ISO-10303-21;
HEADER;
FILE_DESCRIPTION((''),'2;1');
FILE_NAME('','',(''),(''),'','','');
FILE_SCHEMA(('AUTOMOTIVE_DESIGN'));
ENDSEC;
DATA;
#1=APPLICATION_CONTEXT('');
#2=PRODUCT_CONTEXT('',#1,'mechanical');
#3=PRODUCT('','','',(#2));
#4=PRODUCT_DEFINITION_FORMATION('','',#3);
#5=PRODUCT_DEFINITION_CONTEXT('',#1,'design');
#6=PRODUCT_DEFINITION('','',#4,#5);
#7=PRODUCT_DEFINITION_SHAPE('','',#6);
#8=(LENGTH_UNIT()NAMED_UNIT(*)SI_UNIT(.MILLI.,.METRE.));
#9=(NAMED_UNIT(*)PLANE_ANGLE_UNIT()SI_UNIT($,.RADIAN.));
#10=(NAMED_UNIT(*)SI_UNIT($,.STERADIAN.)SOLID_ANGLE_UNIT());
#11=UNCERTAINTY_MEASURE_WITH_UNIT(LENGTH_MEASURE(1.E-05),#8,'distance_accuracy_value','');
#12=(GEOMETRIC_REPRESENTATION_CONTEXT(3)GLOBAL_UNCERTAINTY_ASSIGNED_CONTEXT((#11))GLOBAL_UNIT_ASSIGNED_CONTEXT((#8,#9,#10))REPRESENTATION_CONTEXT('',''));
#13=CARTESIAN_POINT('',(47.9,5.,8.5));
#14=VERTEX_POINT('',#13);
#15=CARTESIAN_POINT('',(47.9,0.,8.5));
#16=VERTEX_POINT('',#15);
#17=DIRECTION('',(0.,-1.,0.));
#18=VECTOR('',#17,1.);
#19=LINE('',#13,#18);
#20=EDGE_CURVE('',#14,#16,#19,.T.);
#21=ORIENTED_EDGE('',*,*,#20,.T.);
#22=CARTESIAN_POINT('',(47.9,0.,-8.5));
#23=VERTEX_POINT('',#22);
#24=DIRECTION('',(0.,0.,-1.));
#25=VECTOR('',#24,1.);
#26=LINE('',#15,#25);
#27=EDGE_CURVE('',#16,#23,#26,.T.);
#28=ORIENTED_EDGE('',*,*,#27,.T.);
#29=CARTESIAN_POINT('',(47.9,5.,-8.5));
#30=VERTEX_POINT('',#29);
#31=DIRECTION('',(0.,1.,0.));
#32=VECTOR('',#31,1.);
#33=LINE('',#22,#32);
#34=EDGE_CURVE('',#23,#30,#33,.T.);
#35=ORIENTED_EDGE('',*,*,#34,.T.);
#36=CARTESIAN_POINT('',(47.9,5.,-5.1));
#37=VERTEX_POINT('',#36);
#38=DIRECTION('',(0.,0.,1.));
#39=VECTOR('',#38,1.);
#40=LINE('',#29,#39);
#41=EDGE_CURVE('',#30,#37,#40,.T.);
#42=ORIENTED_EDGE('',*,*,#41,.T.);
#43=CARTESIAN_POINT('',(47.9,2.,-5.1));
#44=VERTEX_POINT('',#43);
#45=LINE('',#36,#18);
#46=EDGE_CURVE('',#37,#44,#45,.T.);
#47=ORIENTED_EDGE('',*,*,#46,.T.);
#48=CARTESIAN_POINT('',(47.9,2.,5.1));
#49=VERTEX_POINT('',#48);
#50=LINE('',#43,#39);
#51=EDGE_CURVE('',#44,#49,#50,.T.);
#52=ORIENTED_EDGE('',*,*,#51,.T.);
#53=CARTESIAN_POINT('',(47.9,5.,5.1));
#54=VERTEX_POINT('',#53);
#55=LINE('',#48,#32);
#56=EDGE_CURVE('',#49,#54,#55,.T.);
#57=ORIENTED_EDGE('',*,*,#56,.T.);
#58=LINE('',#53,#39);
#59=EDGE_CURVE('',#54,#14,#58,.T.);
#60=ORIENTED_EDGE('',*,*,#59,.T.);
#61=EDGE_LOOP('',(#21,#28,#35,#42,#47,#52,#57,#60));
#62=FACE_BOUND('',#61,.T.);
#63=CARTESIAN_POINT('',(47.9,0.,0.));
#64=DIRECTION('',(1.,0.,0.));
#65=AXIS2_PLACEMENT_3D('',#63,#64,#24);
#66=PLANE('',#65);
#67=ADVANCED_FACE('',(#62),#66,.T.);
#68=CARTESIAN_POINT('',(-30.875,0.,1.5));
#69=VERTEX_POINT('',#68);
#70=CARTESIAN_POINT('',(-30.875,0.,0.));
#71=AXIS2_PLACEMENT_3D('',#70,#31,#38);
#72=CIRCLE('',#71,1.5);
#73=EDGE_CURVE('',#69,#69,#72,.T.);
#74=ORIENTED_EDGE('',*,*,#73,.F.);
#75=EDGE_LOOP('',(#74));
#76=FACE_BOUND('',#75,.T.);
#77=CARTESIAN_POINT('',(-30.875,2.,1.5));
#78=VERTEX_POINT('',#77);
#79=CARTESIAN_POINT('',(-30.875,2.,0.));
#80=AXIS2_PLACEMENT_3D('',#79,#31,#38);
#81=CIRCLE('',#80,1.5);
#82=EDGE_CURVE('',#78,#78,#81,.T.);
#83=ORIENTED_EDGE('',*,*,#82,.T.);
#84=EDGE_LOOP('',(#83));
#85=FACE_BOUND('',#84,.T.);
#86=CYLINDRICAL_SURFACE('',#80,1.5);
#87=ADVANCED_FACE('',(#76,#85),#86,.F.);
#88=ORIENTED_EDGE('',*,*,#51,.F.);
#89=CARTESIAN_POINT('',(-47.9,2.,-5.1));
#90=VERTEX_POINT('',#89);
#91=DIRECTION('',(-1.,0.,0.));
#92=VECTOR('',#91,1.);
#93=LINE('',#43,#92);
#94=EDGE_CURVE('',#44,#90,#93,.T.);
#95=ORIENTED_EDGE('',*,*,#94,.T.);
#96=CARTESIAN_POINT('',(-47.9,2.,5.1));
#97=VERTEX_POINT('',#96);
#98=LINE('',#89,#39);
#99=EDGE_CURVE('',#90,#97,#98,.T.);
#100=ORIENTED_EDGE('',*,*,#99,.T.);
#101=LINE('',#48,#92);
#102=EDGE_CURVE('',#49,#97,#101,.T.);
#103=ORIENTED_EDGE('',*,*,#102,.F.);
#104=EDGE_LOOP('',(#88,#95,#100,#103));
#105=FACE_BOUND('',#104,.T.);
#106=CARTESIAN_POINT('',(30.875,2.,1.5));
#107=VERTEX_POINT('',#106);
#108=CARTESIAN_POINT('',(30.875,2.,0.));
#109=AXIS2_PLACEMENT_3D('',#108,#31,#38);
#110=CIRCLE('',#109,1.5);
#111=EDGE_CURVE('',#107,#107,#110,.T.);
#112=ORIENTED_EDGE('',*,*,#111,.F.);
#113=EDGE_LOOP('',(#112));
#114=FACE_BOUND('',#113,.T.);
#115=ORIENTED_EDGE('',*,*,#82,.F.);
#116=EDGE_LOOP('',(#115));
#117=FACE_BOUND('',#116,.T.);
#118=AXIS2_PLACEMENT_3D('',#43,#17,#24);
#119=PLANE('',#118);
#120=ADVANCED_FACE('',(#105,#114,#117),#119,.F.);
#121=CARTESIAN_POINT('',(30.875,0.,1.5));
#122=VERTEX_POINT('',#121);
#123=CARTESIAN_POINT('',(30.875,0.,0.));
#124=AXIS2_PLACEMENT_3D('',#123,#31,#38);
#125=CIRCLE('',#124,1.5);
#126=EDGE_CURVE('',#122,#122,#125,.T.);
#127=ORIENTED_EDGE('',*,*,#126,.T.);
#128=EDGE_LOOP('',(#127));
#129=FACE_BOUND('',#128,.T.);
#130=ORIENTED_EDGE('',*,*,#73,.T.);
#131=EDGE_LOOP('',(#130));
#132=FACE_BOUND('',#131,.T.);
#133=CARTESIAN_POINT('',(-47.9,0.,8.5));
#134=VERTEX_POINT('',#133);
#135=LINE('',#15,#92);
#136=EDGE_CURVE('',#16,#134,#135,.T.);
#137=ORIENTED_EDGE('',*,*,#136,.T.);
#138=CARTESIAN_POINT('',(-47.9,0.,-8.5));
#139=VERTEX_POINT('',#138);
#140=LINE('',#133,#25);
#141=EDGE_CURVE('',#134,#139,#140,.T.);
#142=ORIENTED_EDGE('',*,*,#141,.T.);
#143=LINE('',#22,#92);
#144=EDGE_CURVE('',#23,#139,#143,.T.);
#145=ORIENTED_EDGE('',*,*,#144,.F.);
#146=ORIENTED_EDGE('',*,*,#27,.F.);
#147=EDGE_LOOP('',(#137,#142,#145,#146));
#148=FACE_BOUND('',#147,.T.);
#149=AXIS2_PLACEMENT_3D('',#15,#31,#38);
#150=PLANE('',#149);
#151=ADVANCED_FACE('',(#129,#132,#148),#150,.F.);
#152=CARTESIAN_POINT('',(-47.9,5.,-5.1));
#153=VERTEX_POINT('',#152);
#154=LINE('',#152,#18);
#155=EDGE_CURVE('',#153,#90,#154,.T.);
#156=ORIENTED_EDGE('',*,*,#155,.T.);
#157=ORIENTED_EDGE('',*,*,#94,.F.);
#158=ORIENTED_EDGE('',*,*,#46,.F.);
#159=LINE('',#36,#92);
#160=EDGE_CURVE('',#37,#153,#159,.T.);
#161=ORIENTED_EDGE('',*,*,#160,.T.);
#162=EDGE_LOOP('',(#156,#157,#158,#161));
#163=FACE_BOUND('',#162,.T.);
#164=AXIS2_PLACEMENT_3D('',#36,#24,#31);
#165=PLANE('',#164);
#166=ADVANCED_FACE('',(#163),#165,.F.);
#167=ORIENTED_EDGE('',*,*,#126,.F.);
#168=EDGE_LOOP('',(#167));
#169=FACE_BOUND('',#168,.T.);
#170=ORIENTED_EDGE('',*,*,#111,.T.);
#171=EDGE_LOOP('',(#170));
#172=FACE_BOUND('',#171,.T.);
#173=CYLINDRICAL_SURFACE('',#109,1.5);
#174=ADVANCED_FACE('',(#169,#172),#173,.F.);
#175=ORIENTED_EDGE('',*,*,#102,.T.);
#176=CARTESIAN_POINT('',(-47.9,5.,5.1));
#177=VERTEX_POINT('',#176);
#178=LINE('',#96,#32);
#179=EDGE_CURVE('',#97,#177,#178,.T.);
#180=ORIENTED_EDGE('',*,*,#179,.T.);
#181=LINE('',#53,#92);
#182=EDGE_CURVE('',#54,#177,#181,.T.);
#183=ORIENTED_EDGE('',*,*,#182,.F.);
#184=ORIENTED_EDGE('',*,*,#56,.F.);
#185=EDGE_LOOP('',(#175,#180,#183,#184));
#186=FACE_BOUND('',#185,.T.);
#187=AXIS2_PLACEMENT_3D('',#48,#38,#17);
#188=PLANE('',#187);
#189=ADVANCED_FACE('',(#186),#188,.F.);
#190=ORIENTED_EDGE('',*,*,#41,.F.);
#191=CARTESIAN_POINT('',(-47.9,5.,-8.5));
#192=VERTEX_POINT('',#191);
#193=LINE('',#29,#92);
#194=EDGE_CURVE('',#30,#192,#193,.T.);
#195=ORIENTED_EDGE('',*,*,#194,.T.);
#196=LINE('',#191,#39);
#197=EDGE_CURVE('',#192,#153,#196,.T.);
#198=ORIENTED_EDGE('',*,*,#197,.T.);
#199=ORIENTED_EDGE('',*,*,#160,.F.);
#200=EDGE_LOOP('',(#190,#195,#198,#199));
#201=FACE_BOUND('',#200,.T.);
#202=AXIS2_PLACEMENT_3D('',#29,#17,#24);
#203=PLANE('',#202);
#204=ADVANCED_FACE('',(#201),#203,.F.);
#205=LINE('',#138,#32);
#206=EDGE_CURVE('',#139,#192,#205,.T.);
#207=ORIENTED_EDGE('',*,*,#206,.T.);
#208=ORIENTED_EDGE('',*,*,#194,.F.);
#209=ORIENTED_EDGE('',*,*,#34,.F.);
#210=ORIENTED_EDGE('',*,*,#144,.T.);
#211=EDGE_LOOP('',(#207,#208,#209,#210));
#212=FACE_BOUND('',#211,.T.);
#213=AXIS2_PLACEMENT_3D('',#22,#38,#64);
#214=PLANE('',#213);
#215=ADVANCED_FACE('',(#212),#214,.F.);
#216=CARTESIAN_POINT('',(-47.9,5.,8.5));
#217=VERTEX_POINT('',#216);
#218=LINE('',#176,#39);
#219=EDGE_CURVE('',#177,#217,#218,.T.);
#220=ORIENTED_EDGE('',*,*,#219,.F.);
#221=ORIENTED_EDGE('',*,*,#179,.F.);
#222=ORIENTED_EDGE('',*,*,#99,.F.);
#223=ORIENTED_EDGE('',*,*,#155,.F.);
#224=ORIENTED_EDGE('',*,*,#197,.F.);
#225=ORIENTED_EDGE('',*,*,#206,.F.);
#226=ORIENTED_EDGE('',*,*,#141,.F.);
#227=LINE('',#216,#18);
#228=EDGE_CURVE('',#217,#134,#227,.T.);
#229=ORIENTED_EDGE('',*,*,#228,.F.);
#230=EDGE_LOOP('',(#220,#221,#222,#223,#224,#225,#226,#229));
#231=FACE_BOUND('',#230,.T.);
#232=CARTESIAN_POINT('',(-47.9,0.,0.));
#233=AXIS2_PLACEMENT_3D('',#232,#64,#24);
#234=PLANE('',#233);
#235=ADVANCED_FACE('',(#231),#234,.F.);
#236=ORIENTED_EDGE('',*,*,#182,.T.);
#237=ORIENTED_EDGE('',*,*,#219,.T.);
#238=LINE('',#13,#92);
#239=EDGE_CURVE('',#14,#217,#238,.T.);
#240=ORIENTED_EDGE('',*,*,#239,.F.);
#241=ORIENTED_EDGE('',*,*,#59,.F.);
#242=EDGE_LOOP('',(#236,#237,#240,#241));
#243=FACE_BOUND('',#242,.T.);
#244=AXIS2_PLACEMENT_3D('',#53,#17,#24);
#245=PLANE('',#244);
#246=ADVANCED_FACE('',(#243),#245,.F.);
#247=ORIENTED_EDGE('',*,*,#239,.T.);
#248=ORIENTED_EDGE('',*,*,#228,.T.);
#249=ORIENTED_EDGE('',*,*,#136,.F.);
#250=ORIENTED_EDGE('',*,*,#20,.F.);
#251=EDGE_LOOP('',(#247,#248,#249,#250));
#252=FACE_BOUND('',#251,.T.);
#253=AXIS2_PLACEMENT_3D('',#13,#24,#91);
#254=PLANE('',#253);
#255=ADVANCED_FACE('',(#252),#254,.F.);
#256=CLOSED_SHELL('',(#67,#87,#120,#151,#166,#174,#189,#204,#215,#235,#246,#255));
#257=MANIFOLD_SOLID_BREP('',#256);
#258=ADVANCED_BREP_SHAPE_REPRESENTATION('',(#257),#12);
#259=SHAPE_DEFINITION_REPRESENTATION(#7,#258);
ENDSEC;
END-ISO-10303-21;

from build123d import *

# Parameters (mm, degrees)
BOSS_EXTRUDE1_DEPTH       = 47.9
F_3_0MM_DOWEL_HOLE1_D     = 3
F_3_0MM_DOWEL_HOLE1_DEPTH = 8.5
F_3_0MM_DOWEL_HOLE1_TIP   = 0.901290929


with BuildPart() as part:
    # Sketch1 → Boss-Extrude1 (new body, symmetric)
    with BuildSketch(Plane(origin=(0, 0, 0), x_dir=(0, 0, -1), z_dir=(1, 0, 0))):
        Polygon((-8.5, 0), (8.5, 0), (8.5, 5), (5.1, 5), (5.1, 2), (-5.1, 2), (-5.1, 5), (-8.5, 5), align=None)
    extrude(amount=BOSS_EXTRUDE1_DEPTH, both=True)

    # Ø3.0mm Dowel Hole1
    with Locations(Plane(origin=(0, 2, 0), x_dir=(1, 0, 0), z_dir=(0, 1, 0))):
        with Locations((-30.875, 0), (30.875, 0)):
            Hole(F_3_0MM_DOWEL_HOLE1_D / 2, depth=F_3_0MM_DOWEL_HOLE1_DEPTH)
            with Locations((0, 0, -(F_3_0MM_DOWEL_HOLE1_DEPTH + F_3_0MM_DOWEL_HOLE1_TIP / 2))):  # 118° drill point
                Cone(0, F_3_0MM_DOWEL_HOLE1_D / 2, F_3_0MM_DOWEL_HOLE1_TIP, mode=Mode.SUBTRACT)


solid = part.part
